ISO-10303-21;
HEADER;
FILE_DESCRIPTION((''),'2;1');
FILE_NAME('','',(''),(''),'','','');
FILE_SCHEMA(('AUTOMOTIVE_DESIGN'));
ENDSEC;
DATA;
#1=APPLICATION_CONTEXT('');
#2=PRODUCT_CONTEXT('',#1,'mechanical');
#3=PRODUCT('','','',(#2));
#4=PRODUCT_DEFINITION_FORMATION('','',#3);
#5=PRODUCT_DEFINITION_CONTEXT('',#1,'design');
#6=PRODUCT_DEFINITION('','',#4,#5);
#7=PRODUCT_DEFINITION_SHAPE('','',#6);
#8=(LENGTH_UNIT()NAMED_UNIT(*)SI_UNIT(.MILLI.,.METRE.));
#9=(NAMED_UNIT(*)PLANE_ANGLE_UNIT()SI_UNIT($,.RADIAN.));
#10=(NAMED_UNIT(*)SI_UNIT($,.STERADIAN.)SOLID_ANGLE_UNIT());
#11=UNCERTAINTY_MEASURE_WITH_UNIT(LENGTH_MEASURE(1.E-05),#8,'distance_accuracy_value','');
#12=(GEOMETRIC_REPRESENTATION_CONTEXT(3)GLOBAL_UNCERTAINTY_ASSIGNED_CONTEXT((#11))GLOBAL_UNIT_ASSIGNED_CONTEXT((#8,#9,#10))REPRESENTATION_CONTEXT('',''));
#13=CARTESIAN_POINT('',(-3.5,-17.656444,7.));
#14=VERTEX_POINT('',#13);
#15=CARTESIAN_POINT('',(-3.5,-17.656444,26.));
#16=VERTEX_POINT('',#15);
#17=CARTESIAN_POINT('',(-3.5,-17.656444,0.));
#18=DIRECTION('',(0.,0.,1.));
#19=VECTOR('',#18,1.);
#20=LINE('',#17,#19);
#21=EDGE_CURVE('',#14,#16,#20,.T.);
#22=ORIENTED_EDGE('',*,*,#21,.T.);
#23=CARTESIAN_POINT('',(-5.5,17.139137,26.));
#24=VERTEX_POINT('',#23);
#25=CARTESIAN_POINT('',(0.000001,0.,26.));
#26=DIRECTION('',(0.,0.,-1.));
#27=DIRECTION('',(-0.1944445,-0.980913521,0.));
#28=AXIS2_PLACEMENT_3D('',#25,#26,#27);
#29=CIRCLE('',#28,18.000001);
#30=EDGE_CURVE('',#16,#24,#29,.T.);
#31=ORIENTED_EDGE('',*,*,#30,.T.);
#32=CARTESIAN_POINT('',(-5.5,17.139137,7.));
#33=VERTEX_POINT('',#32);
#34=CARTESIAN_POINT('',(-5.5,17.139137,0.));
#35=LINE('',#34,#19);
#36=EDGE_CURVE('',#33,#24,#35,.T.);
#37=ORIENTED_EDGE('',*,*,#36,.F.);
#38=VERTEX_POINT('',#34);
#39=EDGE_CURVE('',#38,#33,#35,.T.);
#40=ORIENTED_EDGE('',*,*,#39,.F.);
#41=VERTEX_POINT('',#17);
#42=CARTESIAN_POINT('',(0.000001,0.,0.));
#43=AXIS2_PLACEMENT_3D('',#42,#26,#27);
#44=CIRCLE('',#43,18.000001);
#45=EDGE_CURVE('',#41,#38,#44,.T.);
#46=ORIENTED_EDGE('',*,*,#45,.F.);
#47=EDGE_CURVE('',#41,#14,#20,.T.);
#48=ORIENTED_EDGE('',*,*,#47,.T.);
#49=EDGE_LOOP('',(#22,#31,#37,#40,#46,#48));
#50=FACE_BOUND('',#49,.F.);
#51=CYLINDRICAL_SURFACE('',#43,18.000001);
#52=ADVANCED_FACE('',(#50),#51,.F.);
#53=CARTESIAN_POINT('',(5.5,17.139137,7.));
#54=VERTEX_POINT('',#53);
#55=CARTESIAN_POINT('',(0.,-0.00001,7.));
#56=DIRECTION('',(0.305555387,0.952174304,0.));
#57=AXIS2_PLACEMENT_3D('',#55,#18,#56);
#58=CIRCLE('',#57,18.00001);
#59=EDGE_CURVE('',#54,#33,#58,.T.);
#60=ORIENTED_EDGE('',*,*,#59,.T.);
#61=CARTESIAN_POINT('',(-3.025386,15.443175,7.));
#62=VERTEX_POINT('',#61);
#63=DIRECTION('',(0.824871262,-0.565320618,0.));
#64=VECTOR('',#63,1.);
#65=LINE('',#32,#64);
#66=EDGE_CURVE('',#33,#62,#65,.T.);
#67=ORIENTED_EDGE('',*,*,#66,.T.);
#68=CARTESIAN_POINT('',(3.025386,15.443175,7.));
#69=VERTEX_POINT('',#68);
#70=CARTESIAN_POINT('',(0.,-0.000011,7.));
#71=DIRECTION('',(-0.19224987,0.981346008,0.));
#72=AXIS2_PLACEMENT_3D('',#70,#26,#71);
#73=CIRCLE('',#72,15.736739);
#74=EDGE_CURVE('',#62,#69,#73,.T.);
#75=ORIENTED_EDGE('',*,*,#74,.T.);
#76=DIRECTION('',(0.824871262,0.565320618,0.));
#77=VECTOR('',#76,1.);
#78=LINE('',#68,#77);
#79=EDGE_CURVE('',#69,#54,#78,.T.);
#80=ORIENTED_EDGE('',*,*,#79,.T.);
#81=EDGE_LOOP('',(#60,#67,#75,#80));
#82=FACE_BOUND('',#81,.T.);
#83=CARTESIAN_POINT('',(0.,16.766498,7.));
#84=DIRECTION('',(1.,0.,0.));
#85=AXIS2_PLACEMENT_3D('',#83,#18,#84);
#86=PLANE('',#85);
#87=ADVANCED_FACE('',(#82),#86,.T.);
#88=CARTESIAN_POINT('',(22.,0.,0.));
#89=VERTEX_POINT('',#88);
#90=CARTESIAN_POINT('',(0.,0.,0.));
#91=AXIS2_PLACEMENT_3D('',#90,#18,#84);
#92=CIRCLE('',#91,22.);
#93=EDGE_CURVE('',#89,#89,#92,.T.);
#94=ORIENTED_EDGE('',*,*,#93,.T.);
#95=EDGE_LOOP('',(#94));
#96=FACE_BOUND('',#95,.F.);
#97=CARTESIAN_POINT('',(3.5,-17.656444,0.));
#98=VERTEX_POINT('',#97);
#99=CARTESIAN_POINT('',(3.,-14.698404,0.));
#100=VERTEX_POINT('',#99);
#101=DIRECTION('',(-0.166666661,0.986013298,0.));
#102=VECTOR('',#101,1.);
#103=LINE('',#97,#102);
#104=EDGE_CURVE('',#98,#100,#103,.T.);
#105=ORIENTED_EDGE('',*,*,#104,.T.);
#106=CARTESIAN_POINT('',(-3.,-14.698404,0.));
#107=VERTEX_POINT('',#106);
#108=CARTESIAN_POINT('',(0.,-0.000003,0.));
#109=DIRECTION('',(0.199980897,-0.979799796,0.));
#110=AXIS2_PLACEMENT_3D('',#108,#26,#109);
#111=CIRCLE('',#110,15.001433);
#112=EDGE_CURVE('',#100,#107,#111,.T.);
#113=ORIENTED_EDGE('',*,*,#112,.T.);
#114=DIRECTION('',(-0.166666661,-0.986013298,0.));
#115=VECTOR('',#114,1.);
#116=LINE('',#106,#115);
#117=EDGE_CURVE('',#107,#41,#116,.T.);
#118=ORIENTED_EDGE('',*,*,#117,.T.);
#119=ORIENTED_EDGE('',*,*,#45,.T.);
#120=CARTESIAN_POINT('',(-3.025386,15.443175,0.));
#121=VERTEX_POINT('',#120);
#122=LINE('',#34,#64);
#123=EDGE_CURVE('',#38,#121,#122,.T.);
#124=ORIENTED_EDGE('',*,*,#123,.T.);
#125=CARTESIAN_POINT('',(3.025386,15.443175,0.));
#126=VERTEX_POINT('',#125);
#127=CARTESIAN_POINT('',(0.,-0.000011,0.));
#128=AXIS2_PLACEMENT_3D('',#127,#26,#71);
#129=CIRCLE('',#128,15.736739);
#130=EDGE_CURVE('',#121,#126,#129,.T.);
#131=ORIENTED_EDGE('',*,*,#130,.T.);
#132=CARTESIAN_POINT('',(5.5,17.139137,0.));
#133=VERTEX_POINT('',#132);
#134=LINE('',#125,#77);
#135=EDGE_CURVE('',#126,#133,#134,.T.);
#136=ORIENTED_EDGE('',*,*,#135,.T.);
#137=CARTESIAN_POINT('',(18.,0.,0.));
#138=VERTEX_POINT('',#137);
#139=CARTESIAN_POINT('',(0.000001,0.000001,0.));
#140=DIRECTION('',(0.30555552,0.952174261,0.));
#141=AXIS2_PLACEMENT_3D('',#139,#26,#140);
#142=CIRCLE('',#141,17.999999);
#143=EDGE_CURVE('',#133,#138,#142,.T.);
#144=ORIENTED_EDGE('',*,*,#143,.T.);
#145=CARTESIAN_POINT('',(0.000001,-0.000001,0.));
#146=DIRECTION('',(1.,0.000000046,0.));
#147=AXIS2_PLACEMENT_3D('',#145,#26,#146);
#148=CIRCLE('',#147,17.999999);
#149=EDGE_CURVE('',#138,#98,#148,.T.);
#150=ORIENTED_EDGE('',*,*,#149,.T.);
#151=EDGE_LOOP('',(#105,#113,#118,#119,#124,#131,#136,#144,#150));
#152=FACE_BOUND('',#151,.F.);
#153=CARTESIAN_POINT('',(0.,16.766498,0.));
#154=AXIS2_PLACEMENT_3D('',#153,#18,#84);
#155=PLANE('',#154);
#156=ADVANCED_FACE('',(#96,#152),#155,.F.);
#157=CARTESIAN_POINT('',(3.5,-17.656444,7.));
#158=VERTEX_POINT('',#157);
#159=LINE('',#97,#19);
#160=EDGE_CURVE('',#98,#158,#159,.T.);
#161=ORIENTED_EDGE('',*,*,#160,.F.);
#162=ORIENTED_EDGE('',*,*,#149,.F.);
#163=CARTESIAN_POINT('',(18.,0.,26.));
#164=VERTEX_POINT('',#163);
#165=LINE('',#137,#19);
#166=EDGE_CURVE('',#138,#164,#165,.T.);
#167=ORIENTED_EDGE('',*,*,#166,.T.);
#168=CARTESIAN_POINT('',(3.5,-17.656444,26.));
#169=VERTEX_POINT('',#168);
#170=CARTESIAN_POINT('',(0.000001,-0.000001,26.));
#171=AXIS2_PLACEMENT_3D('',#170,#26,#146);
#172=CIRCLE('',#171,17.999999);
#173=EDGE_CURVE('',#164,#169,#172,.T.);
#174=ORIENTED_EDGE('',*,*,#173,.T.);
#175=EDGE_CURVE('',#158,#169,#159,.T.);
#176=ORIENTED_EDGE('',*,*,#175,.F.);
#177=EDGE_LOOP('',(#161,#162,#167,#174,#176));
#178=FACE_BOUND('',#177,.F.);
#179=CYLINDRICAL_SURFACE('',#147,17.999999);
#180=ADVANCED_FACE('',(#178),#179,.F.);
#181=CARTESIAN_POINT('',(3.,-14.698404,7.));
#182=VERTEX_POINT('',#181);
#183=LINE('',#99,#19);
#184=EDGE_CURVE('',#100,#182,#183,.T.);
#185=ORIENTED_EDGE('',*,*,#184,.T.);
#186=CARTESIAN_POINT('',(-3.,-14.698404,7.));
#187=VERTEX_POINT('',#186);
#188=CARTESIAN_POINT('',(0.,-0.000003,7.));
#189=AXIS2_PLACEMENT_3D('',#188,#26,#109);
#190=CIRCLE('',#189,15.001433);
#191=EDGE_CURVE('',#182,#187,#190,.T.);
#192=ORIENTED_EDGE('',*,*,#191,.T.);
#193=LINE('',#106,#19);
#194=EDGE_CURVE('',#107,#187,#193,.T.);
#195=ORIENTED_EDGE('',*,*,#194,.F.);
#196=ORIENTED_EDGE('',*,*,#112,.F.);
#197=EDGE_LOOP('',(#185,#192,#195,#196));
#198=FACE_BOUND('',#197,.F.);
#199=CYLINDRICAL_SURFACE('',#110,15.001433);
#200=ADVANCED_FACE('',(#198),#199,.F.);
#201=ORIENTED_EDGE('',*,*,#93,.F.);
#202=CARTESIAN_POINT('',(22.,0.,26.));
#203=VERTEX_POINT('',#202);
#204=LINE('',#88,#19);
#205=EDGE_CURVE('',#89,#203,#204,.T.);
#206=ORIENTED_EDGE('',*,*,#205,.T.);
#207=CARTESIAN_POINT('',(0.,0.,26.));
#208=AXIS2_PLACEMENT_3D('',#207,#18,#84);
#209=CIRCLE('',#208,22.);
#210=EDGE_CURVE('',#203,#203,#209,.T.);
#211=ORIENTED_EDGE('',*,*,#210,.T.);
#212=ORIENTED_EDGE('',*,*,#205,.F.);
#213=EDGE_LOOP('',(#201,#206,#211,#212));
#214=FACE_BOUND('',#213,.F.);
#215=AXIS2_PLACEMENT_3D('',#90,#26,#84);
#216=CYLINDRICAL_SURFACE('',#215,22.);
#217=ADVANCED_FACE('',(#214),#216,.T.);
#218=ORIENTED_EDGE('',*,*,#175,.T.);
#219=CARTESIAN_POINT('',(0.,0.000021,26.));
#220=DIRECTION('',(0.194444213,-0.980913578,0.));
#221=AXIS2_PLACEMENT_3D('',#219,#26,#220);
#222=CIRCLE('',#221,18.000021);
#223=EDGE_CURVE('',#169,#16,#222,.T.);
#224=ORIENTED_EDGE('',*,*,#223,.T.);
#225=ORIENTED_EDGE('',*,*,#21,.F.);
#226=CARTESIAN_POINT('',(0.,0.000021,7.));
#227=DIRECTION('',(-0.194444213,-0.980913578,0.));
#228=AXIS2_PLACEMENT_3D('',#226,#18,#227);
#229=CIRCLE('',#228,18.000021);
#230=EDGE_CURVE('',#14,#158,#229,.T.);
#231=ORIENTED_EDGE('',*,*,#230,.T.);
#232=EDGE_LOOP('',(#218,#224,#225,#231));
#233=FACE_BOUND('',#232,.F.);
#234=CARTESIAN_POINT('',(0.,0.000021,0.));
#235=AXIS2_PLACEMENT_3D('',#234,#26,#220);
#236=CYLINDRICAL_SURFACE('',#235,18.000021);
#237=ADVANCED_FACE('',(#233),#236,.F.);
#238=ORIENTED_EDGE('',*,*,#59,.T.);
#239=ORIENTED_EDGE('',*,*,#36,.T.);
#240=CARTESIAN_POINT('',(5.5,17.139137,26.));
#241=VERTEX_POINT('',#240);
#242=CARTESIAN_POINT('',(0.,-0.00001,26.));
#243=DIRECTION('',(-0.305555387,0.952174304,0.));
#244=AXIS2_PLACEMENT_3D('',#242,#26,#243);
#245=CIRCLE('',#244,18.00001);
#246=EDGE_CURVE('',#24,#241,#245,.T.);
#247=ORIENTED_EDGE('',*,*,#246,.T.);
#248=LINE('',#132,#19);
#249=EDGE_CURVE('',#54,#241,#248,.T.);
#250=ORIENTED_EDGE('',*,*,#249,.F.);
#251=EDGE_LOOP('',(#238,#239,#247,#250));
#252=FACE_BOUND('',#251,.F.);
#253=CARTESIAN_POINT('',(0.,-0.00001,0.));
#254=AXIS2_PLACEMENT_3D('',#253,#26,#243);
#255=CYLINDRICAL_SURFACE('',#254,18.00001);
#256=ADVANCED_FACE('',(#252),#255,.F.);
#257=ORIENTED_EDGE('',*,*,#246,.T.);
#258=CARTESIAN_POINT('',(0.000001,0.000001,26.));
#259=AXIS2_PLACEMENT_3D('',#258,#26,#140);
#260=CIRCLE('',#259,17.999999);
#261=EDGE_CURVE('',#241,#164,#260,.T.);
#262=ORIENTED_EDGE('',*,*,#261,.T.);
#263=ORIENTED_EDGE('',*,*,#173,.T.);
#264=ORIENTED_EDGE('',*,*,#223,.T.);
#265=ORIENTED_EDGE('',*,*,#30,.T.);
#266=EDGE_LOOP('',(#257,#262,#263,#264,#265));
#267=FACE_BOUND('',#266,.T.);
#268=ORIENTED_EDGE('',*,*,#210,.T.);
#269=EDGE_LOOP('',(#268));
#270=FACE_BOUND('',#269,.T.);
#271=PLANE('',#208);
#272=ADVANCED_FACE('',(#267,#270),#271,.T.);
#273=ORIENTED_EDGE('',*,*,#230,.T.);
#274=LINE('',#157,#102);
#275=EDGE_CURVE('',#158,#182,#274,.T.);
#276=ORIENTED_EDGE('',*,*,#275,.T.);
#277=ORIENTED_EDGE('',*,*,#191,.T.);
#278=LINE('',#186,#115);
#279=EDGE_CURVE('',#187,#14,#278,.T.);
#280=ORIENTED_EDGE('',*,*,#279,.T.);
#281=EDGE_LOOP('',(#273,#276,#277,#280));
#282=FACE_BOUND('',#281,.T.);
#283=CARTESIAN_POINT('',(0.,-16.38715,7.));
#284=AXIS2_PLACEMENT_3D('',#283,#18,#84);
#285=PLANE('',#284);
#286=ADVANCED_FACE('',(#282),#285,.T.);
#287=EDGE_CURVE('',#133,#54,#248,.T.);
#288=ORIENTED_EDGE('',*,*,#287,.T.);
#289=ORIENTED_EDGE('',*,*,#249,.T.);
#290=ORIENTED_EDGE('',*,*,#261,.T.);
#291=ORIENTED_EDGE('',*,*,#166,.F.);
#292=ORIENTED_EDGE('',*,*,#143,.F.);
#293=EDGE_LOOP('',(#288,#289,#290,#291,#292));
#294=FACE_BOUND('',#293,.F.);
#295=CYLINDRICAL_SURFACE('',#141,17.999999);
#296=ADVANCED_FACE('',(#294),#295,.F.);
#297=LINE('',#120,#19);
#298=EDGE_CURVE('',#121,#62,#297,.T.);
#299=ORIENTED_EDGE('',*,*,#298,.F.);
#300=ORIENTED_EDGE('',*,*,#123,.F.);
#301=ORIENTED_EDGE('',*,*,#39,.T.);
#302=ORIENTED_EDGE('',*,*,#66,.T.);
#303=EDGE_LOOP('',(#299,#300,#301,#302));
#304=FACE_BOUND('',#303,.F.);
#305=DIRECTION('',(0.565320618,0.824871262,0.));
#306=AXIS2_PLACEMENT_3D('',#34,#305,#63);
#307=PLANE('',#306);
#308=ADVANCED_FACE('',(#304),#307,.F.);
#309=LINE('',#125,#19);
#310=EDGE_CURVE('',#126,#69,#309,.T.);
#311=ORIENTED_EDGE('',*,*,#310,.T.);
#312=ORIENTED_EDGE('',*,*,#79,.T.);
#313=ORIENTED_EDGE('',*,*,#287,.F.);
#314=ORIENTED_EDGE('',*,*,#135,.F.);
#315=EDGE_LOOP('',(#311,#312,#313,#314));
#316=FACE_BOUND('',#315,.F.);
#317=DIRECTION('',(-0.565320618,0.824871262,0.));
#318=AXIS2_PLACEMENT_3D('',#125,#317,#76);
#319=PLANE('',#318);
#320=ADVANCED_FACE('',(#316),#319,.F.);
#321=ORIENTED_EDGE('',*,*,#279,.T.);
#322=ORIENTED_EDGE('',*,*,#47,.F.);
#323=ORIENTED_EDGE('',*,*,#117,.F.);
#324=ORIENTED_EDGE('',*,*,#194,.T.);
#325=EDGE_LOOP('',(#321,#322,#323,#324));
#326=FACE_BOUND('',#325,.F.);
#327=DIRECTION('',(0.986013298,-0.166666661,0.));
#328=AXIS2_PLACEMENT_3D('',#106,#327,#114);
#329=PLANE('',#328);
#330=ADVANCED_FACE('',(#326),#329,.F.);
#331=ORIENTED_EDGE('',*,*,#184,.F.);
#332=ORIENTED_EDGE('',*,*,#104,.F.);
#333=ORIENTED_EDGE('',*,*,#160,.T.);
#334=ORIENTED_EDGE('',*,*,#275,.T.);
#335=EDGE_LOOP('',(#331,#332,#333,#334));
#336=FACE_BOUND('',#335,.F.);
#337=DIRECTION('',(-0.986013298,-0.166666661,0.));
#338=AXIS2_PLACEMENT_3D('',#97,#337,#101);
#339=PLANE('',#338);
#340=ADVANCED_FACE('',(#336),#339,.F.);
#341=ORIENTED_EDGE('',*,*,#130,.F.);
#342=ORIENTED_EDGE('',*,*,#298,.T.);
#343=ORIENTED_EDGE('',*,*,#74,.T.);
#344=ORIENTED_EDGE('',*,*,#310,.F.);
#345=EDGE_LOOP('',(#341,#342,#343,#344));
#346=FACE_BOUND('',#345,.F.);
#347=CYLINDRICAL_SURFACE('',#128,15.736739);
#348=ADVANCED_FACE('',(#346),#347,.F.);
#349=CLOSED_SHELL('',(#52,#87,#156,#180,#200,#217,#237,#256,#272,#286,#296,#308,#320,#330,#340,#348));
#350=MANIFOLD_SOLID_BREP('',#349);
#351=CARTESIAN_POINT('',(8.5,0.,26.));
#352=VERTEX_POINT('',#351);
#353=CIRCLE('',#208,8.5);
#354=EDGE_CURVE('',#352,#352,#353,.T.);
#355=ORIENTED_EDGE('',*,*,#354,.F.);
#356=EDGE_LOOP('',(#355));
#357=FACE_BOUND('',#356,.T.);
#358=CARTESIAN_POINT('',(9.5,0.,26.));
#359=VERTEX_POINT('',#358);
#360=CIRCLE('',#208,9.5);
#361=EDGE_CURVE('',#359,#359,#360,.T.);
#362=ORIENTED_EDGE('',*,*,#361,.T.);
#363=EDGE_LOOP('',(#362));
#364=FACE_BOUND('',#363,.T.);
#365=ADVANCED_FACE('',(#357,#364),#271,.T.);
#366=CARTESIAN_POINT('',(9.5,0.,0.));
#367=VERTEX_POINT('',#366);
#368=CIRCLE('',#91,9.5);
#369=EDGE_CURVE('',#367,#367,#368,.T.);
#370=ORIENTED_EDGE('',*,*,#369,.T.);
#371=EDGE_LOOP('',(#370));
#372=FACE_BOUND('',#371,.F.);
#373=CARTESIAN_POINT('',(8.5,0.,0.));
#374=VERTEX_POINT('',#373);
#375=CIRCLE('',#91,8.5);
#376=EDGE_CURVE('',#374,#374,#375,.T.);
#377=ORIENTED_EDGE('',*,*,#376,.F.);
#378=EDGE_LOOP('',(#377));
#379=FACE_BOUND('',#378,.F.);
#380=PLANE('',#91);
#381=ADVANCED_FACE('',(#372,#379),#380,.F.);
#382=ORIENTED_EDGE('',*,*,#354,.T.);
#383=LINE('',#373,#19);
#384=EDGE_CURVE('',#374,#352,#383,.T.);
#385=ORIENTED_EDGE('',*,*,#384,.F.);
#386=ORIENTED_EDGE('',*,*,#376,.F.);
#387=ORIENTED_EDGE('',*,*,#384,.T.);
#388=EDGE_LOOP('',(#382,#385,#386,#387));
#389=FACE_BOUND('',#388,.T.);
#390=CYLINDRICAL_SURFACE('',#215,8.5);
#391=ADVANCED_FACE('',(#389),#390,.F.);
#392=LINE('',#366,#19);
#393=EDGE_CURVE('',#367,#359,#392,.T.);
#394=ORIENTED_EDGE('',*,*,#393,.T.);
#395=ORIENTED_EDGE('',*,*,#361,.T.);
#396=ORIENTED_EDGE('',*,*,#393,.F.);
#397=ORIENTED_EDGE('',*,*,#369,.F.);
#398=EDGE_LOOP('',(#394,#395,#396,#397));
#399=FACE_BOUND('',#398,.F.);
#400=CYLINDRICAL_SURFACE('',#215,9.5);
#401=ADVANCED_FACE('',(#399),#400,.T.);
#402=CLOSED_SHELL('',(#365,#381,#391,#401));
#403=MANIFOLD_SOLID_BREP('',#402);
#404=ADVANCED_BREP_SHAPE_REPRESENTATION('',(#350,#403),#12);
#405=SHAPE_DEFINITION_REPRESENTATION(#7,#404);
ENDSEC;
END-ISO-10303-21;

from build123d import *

# Parameters (mm, degrees)
F0_R     = 22
F0_R_2   = 9.5
F0_R_3   = 8.5
F1_DEPTH = 26
F2_DEPTH = 7


with BuildPart() as f1:
    # F0 (on Top) → F1 (new body)
    with BuildSketch(Plane.XY):
        Circle(F0_R)
        with BuildLine():
            ThreePointArc((5.5, 17.139137), (14.54304, 10.606602), (18, 0))
            ThreePointArc((18, 0), (13.910428, -11.42366), (3.5, -17.656444))
            ThreePointArc((3.5, -17.656444), (0, -18), (-3.5, -17.656444))
            ThreePointArc((-3.5, -17.656444), (-17.970339, -1.032909), (-5.5, 17.139137))
            ThreePointArc((-5.5, 17.139137), (0, 18), (5.5, 17.139137))
        make_face(mode=Mode.SUBTRACT)
        Circle(F0_R_2)
        Circle(F0_R_3, mode=Mode.SUBTRACT)
    extrude(amount=F1_DEPTH)

    # F0 (on Top) → F2 (join)
    with BuildSketch(Plane.XY):
        with BuildLine():
            Line((3.025386, 15.443175), (5.5, 17.139137))
            ThreePointArc((5.5, 17.139137), (0, 18), (-5.5, 17.139137))
            Line((-5.5, 17.139137), (-3.025386, 15.443175))
            ThreePointArc((-3.025386, 15.443175), (0, 15.736728), (3.025386, 15.443175))
        make_face()
        with BuildLine():
            ThreePointArc((-3.5, -17.656444), (0, -18), (3.5, -17.656444))
            Line((3.5, -17.656444), (3, -14.698404))
            ThreePointArc((3, -14.698404), (0, -15.001436), (-3, -14.698404))
            Line((-3, -14.698404), (-3.5, -17.656444))
        make_face()
    extrude(amount=F2_DEPTH)


solid = f1.part
